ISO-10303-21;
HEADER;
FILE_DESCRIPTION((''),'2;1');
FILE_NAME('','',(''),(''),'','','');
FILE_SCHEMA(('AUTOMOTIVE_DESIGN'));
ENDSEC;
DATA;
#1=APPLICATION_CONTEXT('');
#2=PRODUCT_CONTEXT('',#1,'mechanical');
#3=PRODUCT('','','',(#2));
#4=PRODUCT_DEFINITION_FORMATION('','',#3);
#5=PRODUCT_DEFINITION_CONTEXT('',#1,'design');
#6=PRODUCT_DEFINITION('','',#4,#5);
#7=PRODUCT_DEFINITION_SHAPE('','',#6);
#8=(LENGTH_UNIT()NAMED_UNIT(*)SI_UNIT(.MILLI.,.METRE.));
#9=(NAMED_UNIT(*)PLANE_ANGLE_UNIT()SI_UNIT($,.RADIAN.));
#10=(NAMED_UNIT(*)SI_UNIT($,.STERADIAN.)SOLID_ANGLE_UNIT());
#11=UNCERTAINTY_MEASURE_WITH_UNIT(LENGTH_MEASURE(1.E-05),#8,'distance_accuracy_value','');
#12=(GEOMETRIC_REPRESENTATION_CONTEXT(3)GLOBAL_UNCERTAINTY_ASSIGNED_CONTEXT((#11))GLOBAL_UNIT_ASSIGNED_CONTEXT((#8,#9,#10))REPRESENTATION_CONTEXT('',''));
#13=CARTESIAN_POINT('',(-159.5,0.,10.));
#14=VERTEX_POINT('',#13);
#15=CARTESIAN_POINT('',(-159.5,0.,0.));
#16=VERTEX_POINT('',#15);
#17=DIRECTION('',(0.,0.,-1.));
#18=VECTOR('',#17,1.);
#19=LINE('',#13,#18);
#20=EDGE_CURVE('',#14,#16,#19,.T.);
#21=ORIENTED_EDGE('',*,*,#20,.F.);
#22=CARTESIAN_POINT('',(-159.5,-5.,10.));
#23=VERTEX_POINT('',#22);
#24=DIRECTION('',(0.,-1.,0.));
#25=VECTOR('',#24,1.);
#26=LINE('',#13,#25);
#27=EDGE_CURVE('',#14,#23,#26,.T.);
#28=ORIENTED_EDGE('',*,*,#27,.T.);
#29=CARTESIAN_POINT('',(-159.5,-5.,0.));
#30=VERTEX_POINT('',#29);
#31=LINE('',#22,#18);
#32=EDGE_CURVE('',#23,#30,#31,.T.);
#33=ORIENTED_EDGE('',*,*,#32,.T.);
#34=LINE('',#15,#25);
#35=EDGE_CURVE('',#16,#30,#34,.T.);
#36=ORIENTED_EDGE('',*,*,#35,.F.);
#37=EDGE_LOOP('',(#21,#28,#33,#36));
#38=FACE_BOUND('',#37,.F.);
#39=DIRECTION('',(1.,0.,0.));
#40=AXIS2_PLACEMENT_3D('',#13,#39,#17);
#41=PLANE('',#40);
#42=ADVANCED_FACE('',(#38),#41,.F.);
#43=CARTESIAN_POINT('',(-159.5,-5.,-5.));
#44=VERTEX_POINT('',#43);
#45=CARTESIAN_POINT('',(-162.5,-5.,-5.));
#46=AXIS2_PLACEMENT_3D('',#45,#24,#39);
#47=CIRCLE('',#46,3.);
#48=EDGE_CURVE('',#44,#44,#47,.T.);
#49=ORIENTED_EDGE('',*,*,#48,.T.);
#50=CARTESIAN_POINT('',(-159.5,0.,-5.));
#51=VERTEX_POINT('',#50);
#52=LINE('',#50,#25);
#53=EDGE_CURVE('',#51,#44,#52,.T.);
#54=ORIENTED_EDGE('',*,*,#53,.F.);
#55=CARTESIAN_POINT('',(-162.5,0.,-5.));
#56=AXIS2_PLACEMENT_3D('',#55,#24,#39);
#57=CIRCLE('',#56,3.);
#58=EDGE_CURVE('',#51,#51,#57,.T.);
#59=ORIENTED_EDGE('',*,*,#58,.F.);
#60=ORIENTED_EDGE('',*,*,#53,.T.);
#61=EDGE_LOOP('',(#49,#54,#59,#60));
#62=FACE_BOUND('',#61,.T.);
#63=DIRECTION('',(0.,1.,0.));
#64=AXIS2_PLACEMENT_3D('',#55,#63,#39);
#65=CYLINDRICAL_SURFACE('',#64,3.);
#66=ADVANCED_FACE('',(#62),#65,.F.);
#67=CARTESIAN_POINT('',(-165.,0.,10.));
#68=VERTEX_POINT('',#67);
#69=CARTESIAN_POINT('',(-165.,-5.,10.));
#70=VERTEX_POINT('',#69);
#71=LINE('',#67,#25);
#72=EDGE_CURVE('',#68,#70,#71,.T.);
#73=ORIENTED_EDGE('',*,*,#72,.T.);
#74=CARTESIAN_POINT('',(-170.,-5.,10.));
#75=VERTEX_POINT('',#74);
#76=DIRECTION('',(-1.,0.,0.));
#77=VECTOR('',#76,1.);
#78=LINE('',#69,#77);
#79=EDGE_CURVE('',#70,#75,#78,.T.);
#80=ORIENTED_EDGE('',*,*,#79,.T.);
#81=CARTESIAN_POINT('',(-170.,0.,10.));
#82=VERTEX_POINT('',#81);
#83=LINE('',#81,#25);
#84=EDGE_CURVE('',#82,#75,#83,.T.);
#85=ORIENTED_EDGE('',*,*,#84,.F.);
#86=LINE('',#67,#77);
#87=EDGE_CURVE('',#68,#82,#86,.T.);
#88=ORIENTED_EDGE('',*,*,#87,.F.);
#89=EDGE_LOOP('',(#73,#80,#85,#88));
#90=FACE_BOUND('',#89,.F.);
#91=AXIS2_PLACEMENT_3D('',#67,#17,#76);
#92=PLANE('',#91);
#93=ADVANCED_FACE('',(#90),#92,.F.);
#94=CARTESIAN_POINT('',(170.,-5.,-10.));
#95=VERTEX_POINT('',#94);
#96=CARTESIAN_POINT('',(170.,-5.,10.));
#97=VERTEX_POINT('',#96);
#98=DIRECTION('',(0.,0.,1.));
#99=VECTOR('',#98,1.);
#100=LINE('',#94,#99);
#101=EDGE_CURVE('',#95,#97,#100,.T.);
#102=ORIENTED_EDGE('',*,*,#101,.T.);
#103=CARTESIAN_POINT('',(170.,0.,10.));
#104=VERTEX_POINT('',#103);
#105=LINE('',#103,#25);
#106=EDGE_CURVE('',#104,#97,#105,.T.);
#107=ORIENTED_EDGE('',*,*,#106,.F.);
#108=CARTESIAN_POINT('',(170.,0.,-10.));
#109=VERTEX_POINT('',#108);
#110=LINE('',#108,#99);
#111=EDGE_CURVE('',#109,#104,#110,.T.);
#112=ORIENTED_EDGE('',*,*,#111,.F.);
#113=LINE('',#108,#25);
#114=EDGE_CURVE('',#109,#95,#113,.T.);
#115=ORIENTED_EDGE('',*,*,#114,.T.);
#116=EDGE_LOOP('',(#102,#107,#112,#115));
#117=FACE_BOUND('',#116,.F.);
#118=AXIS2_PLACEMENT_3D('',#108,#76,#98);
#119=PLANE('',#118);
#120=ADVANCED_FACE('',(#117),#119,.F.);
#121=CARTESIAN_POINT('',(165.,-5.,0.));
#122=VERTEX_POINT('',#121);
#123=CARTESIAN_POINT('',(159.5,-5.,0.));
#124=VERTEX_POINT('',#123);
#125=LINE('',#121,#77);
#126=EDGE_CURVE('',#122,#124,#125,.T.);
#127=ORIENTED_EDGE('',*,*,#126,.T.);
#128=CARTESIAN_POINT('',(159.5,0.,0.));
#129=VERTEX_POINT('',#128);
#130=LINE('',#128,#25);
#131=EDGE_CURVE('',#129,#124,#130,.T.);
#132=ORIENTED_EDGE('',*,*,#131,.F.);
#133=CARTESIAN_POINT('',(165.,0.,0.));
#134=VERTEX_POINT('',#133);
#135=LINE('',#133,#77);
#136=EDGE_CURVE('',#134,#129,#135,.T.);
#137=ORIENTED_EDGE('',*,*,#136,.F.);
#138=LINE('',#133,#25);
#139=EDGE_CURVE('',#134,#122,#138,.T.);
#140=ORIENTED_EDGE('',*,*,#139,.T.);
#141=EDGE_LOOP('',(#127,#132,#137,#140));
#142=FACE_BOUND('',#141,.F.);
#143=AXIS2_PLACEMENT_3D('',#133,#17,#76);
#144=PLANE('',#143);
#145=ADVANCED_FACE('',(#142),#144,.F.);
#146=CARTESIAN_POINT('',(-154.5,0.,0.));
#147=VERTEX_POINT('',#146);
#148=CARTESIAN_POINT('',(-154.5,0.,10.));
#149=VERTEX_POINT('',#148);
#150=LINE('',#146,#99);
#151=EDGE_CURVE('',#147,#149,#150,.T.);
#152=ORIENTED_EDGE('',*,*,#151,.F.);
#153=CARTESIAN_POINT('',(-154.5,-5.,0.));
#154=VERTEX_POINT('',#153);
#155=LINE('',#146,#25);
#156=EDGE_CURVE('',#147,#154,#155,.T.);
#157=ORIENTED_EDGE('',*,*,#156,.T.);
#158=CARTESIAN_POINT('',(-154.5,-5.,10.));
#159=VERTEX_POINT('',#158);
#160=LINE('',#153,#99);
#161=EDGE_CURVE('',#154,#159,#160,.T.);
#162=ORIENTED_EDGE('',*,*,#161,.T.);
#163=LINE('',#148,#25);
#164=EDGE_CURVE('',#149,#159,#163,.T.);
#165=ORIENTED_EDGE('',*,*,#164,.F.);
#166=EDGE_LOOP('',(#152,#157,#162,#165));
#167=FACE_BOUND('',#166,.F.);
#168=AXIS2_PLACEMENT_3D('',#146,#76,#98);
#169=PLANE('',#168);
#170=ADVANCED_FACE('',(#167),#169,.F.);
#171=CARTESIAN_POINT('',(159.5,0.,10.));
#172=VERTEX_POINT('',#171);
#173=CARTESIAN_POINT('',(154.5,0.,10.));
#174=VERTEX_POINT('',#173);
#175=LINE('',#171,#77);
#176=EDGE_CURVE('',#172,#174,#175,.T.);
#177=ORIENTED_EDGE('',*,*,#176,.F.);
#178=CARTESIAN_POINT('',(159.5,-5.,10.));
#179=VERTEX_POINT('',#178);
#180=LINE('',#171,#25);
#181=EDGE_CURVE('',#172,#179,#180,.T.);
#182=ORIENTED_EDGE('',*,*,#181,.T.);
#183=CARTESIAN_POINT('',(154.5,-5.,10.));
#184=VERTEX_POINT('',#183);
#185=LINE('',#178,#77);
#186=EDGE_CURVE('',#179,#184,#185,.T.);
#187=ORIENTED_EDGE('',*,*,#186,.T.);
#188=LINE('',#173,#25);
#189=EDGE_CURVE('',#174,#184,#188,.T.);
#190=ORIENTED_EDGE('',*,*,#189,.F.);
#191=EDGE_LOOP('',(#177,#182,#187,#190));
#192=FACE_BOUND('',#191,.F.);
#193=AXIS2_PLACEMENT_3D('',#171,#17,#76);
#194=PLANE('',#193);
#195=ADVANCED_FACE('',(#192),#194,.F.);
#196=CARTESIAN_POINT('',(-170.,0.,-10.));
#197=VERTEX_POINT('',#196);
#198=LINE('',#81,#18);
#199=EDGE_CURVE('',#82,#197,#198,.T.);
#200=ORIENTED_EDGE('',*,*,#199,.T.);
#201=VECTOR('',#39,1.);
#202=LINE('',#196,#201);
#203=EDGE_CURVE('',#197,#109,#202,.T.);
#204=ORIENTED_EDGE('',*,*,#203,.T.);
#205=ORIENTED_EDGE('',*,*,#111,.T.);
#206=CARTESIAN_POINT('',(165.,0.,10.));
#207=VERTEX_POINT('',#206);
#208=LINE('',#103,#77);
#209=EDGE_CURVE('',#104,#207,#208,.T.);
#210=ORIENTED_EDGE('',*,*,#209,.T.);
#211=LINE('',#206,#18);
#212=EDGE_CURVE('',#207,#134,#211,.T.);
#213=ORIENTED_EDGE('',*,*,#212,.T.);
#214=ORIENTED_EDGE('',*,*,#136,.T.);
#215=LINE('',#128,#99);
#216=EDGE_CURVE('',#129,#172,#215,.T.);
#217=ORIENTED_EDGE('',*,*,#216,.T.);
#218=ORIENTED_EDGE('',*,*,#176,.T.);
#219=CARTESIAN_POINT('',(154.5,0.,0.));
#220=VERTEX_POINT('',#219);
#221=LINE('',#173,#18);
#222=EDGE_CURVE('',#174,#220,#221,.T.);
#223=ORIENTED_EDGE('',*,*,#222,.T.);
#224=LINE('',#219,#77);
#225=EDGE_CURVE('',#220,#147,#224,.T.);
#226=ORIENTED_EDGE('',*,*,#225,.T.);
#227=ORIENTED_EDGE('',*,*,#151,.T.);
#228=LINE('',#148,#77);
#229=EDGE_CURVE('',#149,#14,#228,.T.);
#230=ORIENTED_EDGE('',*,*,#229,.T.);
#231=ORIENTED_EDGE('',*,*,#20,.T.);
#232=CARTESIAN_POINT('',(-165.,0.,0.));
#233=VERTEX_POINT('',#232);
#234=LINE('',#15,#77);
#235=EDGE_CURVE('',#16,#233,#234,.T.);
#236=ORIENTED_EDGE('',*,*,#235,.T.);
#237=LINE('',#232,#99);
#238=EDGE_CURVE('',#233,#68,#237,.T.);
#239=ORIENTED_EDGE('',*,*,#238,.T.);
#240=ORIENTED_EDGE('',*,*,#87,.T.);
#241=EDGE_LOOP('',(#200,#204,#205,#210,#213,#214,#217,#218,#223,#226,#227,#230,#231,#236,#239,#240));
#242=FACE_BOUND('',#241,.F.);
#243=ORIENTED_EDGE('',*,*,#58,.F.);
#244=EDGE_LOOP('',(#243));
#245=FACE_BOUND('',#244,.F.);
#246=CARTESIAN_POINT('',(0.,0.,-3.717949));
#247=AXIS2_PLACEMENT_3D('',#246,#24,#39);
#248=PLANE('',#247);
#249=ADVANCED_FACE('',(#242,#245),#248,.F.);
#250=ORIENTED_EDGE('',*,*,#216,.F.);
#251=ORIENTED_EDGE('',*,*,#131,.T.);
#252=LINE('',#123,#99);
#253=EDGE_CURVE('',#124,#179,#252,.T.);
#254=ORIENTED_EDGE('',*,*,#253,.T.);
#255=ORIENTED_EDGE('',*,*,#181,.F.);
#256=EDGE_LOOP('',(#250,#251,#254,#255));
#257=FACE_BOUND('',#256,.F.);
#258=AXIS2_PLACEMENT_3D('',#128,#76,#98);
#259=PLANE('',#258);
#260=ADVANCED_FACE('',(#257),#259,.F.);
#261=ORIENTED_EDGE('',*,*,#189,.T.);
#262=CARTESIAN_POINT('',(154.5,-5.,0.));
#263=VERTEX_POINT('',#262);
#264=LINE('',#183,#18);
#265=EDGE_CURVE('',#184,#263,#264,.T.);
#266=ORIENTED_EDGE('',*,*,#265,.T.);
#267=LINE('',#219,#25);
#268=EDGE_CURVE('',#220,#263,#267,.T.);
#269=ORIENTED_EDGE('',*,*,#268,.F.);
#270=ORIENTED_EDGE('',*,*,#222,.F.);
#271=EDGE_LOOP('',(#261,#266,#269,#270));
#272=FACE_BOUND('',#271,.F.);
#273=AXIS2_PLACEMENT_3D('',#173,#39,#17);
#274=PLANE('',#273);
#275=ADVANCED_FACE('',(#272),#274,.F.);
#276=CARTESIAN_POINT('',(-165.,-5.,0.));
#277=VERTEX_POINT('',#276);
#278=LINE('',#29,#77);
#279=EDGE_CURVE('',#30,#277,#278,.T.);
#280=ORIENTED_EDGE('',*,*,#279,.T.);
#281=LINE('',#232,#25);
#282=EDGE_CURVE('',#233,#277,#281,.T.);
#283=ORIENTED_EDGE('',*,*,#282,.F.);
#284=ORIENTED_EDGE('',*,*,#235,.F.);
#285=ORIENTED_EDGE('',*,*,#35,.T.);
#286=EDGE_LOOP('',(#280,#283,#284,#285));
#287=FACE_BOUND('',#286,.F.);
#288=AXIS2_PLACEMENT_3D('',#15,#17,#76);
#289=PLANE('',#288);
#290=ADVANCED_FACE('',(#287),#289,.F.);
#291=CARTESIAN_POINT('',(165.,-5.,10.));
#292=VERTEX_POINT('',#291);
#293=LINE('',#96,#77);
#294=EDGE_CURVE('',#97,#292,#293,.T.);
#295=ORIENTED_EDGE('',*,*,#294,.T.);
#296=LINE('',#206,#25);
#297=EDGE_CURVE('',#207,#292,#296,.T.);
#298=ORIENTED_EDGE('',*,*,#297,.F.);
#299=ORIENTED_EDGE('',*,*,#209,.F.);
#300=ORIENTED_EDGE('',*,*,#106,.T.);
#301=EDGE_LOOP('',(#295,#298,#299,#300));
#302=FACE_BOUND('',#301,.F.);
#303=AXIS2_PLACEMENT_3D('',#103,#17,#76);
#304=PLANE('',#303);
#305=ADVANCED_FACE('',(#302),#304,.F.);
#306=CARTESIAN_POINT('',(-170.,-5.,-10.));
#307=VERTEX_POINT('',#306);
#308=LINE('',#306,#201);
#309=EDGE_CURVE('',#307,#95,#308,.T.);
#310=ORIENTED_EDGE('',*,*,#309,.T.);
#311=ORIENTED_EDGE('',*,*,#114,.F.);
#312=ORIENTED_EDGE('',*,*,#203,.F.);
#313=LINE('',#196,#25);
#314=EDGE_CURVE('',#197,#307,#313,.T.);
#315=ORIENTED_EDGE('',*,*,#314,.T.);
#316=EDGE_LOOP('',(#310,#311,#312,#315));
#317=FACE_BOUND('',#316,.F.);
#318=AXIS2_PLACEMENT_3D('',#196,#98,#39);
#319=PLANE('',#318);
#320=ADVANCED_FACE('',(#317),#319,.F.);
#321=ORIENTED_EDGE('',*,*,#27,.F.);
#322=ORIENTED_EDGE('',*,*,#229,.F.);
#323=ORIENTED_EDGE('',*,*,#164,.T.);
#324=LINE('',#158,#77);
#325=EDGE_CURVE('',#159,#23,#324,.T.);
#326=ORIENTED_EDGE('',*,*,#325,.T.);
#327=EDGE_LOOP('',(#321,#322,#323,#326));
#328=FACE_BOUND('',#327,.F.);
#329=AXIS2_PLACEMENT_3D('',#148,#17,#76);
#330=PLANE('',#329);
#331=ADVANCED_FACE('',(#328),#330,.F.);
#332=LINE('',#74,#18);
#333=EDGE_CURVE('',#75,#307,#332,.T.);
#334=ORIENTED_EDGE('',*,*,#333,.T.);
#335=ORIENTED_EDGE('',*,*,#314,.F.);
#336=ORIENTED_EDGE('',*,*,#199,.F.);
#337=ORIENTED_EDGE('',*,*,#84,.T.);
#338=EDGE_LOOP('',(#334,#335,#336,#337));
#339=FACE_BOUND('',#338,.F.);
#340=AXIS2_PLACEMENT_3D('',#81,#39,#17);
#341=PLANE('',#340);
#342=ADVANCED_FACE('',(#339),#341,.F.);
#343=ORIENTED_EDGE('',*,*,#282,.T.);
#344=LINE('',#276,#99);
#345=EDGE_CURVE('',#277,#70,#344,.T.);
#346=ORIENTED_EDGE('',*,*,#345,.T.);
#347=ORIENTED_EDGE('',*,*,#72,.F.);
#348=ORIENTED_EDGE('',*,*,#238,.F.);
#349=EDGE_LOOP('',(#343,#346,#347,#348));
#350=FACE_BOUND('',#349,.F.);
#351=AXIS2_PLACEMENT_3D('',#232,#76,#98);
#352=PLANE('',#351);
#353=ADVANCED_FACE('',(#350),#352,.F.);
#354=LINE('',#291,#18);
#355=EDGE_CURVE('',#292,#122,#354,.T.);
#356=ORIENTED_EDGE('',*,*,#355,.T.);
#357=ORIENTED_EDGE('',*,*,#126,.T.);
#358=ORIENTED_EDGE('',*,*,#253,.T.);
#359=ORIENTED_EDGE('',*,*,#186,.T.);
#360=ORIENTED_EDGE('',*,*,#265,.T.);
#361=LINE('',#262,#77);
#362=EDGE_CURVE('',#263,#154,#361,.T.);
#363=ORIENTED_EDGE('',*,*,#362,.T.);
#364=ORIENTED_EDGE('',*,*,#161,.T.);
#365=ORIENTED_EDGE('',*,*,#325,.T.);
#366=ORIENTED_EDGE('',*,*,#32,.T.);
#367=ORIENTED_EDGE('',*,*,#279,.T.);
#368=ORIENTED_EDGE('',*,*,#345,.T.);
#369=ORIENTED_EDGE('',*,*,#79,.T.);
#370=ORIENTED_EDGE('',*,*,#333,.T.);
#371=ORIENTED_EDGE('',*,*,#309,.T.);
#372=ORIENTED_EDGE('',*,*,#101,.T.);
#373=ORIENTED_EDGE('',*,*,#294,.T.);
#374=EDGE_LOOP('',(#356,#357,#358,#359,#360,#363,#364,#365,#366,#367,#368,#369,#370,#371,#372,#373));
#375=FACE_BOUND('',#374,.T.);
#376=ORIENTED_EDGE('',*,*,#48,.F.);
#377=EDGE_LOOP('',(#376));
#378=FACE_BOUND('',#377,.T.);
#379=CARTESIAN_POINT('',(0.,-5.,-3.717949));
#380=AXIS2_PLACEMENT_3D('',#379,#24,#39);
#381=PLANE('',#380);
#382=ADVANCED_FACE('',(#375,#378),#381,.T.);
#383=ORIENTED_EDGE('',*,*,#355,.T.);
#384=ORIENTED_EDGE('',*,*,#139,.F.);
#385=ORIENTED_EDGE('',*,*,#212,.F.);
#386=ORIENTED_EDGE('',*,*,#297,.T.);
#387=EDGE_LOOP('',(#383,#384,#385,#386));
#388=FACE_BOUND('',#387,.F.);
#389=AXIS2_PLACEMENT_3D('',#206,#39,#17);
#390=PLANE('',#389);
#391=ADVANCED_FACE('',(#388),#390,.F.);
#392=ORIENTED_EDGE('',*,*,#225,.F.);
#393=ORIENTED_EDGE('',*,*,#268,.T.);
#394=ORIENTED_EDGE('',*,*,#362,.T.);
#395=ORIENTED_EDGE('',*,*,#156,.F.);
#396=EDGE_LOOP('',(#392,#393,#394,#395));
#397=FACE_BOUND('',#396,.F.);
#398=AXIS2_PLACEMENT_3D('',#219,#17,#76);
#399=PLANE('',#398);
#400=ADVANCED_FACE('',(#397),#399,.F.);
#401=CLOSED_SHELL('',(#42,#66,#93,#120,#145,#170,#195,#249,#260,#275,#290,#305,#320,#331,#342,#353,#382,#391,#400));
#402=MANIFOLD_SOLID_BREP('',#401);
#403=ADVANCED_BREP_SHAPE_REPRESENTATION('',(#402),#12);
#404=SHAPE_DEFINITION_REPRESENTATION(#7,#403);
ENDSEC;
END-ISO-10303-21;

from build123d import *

# Parameters (mm, degrees)
F0_R     = 3
F1_DEPTH = 5


with BuildPart() as f1:
    # F0 (on Front) → F1 (new body)
    with BuildSketch(Plane.XZ):
        Polygon((-170, -10), (170, -10), (170, 10), (165, 10), (165, 0), (159.5, 0), (159.5, 10), (154.5, 10), (154.5, 0), (-154.5, 0), (-154.5, 10), (-159.5, 10), (-159.5, 0), (-165, 0), (-165, 10), (-170, 10), align=None)
        with Locations((-162.5, -5)):
            Circle(F0_R, mode=Mode.SUBTRACT)
    extrude(amount=F1_DEPTH)


solid = f1.part
